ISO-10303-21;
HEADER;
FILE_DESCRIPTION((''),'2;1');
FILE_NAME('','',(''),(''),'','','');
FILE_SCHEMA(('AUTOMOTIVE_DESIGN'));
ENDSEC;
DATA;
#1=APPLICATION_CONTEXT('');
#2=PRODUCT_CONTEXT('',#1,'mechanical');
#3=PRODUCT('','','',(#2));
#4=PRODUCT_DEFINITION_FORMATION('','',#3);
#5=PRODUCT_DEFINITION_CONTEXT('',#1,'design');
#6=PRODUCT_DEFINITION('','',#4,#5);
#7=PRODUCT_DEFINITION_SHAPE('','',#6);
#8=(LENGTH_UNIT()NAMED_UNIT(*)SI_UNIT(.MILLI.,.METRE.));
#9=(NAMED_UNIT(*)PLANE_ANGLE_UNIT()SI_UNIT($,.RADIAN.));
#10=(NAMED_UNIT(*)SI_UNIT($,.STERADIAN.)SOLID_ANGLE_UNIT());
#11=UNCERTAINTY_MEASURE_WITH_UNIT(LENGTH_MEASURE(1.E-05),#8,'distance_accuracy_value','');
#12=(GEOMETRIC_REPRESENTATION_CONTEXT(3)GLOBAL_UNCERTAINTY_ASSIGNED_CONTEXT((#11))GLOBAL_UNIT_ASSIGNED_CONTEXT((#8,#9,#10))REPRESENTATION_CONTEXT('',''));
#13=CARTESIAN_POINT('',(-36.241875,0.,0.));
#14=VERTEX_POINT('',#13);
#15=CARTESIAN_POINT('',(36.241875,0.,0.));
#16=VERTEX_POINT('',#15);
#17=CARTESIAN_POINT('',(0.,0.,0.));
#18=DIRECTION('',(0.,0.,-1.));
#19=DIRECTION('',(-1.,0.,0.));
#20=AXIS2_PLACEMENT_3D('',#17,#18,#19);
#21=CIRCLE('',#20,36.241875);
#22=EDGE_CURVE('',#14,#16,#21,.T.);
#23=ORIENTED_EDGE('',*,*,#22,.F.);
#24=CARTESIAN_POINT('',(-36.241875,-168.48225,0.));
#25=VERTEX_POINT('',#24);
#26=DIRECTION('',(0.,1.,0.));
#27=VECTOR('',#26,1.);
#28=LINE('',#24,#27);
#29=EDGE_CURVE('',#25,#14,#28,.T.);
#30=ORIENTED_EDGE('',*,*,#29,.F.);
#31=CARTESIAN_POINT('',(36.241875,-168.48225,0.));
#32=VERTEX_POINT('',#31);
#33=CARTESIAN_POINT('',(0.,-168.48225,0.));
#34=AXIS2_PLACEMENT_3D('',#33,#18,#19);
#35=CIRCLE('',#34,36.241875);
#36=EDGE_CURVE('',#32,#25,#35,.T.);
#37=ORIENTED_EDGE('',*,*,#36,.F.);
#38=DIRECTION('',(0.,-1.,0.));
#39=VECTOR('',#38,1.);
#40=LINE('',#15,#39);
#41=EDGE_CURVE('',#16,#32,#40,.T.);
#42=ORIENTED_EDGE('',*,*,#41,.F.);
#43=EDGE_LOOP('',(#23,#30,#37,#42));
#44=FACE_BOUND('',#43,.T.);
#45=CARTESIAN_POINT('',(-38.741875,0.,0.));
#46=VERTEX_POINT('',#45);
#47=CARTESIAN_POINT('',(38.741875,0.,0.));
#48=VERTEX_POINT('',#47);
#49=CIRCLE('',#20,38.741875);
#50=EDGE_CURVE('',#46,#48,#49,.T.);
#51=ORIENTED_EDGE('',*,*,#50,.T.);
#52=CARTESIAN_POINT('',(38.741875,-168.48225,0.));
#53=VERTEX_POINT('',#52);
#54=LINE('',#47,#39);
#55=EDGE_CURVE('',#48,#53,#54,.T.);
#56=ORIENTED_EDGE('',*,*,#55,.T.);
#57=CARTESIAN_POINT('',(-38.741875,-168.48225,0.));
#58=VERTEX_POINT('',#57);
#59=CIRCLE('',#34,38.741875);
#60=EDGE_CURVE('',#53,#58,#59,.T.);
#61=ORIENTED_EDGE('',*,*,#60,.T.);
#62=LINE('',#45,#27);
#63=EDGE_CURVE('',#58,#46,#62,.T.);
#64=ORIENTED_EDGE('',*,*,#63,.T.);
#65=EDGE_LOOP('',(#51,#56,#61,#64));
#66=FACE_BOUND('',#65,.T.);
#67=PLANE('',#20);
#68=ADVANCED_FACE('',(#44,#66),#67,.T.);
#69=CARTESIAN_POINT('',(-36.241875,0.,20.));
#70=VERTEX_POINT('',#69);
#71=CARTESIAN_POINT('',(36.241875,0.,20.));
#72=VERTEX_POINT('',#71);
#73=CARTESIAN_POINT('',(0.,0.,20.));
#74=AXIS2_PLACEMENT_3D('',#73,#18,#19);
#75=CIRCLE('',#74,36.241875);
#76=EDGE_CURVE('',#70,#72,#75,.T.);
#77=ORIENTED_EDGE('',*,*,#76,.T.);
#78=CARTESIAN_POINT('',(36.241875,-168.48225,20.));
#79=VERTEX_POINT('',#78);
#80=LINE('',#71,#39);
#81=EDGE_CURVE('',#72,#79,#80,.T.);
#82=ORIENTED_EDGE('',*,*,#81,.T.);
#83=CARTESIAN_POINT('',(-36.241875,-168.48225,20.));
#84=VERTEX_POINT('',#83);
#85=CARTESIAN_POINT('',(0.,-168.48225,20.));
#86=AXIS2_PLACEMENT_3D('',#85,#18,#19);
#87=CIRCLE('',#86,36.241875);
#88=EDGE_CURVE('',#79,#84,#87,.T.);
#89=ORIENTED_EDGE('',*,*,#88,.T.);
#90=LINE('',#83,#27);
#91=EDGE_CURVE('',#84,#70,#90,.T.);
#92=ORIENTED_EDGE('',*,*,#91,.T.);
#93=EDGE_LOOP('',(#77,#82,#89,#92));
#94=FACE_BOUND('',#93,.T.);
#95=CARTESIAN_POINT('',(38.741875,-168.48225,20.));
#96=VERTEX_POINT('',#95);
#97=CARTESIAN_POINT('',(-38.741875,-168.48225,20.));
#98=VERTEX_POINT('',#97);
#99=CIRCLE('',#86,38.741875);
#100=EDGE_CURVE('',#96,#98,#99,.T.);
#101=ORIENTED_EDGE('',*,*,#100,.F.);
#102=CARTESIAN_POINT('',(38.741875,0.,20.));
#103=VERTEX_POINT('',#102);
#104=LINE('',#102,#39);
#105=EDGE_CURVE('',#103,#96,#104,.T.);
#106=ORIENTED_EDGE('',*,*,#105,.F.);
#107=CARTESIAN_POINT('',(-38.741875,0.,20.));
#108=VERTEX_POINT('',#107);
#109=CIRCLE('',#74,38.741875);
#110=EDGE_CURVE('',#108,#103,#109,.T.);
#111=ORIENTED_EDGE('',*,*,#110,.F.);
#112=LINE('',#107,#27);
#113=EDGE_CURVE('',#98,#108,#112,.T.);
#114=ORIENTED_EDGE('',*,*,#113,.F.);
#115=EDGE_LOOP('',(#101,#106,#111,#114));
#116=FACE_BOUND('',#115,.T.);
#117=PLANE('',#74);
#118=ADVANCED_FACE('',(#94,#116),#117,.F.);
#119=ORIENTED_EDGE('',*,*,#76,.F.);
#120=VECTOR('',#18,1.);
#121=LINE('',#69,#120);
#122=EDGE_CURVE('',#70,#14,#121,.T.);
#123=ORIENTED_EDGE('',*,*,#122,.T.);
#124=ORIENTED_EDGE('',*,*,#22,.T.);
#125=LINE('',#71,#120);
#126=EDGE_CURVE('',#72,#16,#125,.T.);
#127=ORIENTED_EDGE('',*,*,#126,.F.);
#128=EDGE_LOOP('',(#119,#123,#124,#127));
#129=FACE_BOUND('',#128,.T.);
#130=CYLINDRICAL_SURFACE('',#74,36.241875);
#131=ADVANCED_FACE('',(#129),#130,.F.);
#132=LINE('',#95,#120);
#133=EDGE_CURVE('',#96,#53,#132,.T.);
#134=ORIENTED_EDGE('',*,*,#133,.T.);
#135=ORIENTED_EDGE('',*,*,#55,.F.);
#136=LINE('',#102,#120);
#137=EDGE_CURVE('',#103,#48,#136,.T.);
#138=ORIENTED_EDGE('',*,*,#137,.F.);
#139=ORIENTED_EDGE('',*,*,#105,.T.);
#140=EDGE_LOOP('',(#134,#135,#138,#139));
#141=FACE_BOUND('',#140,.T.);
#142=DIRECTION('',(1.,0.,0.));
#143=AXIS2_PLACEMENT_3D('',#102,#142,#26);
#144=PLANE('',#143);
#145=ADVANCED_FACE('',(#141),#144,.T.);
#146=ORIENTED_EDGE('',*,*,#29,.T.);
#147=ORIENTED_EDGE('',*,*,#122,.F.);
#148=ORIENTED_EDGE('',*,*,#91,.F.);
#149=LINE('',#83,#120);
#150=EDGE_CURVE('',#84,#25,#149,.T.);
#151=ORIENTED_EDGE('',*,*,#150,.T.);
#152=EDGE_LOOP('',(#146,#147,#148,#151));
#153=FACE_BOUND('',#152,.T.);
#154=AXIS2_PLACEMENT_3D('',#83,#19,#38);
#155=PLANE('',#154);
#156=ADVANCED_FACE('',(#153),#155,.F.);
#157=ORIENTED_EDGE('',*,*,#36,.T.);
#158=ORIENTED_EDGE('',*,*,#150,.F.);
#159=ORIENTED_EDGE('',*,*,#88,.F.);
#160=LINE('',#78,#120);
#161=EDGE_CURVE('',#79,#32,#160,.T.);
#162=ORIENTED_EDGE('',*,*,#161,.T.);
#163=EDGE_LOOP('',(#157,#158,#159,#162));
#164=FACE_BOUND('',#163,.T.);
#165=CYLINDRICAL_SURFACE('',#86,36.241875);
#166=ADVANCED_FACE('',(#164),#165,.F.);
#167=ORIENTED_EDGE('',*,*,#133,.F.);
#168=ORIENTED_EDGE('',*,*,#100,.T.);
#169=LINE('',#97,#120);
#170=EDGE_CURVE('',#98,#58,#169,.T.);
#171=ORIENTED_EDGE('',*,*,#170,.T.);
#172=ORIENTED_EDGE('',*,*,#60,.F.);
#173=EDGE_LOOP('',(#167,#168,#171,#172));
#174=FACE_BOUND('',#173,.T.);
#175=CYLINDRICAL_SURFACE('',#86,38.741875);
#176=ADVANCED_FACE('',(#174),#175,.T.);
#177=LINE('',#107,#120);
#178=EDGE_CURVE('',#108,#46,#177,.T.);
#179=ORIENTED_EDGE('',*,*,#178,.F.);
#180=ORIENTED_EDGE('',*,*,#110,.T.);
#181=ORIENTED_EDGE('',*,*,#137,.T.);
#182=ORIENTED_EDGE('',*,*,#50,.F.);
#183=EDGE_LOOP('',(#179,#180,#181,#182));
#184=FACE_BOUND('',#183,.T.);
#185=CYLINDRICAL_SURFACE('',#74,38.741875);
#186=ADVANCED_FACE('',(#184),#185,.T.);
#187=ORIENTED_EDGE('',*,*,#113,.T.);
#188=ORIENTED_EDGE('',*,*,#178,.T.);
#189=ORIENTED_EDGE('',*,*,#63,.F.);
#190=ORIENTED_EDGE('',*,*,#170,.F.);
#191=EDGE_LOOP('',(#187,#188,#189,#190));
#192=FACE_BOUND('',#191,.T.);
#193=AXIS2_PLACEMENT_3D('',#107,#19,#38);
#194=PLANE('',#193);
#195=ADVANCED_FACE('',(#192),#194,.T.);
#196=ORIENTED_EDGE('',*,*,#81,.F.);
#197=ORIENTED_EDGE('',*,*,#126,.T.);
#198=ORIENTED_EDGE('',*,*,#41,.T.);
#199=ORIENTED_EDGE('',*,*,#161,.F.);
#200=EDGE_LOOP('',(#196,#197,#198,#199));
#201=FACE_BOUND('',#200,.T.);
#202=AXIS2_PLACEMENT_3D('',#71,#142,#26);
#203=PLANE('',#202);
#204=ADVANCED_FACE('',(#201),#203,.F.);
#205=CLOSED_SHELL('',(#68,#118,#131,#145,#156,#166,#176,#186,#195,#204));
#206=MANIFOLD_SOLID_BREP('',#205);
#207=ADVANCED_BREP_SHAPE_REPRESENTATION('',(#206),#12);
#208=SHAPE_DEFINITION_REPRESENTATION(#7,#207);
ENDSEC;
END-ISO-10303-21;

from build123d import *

# Parameters (mm, degrees)
EXTRUDE_THIN1_DEPTH = 20


with BuildPart() as part:
    # Sketch2 → Extrude-Thin1 (new body)
    with BuildSketch(Plane.XY):
        with BuildLine():
            Line((-38.741875, -168.48225), (-38.741875, 0))
            ThreePointArc((-38.741875, 0), (0, 38.741875), (38.741875, 0))
            Line((38.741875, 0), (38.741875, -168.48225))
            ThreePointArc((38.741875, -168.48225), (0, -207.224125), (-38.741875, -168.48225))
        make_face()
        with BuildLine():
            Line((-36.241875, -168.48225), (-36.241875, 0))
            ThreePointArc((-36.241875, 0), (0, 36.241875), (36.241875, 0))
            Line((36.241875, 0), (36.241875, -168.48225))
            ThreePointArc((36.241875, -168.48225), (0, -204.724125), (-36.241875, -168.48225))
        make_face(mode=Mode.SUBTRACT)
    extrude(amount=EXTRUDE_THIN1_DEPTH)


solid = part.part
